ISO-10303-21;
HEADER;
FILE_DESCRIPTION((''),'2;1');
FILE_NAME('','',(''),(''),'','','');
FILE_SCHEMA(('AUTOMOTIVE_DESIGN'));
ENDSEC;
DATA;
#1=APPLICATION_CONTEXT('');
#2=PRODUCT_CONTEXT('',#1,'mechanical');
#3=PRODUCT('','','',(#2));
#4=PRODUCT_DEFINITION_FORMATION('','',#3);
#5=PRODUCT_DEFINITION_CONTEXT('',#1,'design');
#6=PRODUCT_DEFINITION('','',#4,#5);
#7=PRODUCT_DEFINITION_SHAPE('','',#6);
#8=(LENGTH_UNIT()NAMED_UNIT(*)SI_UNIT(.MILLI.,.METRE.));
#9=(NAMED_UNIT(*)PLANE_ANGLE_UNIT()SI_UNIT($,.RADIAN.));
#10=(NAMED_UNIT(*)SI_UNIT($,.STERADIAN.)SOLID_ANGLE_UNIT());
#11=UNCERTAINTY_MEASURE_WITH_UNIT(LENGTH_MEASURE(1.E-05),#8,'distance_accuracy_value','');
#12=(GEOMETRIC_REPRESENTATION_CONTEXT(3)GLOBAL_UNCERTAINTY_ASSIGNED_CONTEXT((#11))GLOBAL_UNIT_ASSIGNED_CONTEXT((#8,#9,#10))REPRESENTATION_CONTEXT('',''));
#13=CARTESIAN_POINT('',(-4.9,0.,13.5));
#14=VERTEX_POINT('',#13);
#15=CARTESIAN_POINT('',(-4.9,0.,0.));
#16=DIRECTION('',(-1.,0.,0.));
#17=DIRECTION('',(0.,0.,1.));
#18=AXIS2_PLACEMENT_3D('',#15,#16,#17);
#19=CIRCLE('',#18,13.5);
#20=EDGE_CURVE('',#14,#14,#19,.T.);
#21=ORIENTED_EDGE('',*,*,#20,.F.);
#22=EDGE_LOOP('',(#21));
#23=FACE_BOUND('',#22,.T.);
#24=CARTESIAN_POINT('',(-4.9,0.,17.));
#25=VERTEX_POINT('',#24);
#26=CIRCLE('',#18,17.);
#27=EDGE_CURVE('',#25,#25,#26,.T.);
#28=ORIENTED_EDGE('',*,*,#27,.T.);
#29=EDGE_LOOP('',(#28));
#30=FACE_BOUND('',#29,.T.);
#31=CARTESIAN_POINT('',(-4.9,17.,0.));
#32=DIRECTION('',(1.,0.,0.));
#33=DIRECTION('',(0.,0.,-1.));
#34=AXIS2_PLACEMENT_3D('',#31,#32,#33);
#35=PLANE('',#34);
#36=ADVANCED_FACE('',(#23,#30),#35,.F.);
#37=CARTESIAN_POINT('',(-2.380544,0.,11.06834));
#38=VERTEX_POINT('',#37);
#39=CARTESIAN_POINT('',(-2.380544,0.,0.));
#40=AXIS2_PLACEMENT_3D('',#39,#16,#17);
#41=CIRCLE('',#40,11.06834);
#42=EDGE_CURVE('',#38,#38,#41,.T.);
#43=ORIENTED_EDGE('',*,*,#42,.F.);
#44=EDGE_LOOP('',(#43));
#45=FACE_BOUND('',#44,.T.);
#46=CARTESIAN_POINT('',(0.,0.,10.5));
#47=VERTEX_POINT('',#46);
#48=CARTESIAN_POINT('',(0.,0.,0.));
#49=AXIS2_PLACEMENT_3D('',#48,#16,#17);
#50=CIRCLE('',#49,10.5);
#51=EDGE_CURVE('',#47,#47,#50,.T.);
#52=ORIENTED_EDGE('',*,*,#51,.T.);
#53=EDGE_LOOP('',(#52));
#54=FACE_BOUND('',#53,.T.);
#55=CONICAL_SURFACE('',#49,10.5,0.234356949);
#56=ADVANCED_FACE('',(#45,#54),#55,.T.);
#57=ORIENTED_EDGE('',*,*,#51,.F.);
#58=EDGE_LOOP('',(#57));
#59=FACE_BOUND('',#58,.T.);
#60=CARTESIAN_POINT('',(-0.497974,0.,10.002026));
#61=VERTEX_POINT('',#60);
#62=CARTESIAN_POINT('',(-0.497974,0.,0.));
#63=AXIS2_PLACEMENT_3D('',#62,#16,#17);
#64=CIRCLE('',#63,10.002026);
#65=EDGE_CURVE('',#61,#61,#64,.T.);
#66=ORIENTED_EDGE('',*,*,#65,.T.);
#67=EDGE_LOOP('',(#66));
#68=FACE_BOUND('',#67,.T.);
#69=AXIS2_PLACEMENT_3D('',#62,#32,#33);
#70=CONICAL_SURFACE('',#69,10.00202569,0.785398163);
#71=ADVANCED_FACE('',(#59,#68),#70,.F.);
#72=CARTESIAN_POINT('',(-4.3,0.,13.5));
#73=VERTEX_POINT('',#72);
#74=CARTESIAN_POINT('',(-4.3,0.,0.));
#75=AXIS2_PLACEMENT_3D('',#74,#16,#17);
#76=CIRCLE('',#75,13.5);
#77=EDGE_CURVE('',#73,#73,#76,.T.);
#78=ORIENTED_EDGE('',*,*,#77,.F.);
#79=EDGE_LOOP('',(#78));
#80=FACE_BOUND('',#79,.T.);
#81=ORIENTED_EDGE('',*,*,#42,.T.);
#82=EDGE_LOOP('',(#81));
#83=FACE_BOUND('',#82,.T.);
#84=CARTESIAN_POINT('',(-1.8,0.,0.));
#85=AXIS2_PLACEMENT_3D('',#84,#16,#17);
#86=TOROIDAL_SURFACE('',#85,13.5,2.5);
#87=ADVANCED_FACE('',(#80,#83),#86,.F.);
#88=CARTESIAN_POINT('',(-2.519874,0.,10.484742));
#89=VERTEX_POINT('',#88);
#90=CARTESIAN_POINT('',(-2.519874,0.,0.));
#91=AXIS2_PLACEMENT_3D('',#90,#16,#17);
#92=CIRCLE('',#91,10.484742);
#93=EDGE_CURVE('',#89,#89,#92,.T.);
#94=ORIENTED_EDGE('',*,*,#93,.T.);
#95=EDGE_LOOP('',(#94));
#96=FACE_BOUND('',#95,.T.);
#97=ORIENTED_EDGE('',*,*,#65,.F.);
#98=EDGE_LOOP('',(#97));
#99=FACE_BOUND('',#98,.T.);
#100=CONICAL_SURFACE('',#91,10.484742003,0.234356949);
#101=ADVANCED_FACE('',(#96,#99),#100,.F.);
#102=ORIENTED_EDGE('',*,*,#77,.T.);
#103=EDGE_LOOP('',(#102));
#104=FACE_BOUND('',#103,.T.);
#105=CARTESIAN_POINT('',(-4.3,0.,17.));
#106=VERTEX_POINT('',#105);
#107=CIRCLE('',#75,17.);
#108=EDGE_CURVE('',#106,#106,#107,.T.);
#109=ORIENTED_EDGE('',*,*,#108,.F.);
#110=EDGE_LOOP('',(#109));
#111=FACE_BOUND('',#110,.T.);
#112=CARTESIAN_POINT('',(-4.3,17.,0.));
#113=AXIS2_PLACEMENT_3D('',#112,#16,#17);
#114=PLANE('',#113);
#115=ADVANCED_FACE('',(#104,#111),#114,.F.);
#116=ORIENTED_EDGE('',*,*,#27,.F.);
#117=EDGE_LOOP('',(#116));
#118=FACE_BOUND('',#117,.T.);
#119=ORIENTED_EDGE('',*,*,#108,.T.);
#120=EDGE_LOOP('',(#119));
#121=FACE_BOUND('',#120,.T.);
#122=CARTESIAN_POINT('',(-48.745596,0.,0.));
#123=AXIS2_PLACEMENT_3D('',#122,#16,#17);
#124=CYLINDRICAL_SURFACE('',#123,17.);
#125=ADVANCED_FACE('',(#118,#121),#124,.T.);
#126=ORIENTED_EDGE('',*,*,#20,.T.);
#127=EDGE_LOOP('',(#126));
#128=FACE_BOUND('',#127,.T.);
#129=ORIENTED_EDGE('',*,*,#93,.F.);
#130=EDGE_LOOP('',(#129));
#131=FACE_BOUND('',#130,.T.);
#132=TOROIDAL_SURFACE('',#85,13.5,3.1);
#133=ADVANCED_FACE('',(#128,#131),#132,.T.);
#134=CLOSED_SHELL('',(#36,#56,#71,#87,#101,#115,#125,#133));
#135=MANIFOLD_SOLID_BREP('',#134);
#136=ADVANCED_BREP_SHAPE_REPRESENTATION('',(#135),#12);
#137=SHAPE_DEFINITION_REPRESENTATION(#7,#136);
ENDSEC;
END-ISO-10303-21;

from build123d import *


with BuildPart() as part:
    # 草图1 → 旋转1 (revolve)
    with BuildSketch(Plane.XY, mode=Mode.PRIVATE) as revolve_1_sk:
        with BuildLine():
            Line((-4.3, 17), (-4.3, 13.5))
            ThreePointArc((-4.3, 13.5), (-3.762314929, 11.951026107), (-2.380543903, 11.068340325))
            Line((-2.380543903, 11.068340325), (0, 10.5))
            Line((0, 10.5), (-0.49797431, 10.00202569))
            Line((-0.49797431, 10.00202569), (-2.51987444, 10.484742003))
            ThreePointArc((-2.51987444, 10.484742003), (-4.233270511, 11.579272373), (-4.9, 13.5))
            Line((-4.9, 13.5), (-4.9, 17))
            Line((-4.9, 17), (-4.3, 17))
        make_face()
    revolve(revolve_1_sk.sketch.rotate(Axis((-48.745596361, 0, 0), (1, 0, 0)), 90), axis=Axis((-48.745596361, 0, 0), (1, 0, 0)))


solid = part.part
